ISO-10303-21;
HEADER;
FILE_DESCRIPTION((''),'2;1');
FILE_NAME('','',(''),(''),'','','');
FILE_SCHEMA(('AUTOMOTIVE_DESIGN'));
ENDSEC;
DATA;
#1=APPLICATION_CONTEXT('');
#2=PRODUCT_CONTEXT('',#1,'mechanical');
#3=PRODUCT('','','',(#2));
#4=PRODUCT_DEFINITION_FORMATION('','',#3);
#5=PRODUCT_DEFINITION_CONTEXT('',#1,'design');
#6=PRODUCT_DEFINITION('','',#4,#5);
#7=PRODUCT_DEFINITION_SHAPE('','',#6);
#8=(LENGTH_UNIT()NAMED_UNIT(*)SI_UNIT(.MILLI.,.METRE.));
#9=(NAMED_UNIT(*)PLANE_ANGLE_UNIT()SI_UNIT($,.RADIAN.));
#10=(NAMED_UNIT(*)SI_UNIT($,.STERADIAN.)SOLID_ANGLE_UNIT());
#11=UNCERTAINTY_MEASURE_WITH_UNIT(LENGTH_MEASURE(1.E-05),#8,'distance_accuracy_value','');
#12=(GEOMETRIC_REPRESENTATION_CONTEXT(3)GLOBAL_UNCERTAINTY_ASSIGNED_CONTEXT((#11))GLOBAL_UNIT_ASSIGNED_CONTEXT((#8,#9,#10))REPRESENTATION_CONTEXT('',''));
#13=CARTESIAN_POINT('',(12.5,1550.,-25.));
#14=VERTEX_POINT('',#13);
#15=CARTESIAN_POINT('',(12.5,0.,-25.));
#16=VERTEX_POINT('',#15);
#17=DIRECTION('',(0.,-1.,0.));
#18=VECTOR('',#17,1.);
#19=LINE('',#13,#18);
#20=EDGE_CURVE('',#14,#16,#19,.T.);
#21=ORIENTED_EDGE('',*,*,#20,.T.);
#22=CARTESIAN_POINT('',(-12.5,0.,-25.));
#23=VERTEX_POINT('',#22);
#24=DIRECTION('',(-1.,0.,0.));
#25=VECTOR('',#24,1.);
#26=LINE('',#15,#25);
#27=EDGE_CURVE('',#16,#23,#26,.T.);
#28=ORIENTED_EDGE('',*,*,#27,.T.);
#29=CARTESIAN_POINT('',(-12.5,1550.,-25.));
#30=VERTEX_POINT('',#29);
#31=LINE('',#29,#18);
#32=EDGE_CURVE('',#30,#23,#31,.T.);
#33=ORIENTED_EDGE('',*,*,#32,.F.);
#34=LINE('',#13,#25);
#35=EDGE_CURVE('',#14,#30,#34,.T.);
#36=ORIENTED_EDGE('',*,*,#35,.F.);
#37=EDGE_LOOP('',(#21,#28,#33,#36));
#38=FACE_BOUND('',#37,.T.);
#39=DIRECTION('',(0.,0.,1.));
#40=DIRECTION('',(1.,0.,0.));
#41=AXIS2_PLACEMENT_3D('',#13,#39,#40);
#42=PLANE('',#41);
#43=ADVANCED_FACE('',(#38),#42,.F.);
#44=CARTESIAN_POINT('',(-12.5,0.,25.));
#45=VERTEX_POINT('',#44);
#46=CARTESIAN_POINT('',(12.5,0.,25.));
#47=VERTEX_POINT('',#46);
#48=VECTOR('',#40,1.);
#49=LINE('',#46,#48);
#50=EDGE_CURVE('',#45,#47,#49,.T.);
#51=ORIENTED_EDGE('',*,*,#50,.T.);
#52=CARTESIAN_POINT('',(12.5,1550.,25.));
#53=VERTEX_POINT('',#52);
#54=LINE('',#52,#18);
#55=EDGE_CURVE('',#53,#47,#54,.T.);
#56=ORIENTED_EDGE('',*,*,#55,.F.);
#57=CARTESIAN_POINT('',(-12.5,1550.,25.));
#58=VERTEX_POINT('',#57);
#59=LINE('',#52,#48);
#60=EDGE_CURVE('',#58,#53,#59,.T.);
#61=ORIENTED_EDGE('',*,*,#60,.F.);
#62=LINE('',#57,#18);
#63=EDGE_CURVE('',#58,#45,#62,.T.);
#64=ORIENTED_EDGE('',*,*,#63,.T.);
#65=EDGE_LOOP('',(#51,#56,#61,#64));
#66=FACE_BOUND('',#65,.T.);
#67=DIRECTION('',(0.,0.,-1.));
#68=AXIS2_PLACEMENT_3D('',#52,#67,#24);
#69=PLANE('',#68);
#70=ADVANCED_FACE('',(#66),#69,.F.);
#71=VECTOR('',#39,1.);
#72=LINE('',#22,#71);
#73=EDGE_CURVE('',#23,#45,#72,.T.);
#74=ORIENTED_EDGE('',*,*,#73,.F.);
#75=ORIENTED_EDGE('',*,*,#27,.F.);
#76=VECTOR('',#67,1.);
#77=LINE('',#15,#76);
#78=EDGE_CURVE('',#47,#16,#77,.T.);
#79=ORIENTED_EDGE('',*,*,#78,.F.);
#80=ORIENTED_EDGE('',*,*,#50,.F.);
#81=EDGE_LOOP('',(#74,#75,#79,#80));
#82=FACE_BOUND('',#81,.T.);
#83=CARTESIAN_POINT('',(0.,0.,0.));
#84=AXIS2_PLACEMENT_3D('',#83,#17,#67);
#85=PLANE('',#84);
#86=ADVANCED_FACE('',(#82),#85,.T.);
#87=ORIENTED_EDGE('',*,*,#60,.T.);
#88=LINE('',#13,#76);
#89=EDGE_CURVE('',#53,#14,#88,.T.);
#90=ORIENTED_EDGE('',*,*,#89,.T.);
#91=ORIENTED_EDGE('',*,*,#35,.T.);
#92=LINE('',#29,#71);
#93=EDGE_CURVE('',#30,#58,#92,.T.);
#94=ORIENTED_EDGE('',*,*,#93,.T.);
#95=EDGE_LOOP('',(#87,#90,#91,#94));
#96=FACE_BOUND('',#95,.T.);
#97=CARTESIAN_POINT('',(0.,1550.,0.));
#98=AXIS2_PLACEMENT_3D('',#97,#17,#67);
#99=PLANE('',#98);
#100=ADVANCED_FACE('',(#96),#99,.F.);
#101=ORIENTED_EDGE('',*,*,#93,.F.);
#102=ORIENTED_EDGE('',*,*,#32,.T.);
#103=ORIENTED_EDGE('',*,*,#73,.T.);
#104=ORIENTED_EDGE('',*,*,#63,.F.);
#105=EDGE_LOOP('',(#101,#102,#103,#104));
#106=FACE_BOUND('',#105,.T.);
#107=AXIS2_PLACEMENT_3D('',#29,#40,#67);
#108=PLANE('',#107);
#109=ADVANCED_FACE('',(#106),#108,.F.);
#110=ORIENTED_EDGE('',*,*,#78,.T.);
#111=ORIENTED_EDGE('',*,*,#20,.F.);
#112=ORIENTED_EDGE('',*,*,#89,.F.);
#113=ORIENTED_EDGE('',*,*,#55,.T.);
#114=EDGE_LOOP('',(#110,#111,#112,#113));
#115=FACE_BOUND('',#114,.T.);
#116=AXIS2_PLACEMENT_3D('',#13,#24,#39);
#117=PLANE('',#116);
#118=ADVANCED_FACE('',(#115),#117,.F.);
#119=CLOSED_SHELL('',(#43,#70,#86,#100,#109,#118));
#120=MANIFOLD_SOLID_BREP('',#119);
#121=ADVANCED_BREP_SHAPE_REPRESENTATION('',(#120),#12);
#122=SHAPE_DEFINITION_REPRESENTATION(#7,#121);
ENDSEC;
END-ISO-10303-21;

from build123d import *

# Parameters (mm, degrees)
SKETCH_1_W      = 25
SKETCH_1_H      = 50
EXTRUDE_1_DEPTH = 1550


with BuildPart() as part:
    # Эскиз1 → Бобышка-Вытянуть1 (new body)
    with BuildSketch(Plane(origin=(0, 0, 0), x_dir=(1, 0, 0), z_dir=(0, 1, 0))):
        Rectangle(SKETCH_1_W, SKETCH_1_H)
    extrude(amount=EXTRUDE_1_DEPTH)


solid = part.part
